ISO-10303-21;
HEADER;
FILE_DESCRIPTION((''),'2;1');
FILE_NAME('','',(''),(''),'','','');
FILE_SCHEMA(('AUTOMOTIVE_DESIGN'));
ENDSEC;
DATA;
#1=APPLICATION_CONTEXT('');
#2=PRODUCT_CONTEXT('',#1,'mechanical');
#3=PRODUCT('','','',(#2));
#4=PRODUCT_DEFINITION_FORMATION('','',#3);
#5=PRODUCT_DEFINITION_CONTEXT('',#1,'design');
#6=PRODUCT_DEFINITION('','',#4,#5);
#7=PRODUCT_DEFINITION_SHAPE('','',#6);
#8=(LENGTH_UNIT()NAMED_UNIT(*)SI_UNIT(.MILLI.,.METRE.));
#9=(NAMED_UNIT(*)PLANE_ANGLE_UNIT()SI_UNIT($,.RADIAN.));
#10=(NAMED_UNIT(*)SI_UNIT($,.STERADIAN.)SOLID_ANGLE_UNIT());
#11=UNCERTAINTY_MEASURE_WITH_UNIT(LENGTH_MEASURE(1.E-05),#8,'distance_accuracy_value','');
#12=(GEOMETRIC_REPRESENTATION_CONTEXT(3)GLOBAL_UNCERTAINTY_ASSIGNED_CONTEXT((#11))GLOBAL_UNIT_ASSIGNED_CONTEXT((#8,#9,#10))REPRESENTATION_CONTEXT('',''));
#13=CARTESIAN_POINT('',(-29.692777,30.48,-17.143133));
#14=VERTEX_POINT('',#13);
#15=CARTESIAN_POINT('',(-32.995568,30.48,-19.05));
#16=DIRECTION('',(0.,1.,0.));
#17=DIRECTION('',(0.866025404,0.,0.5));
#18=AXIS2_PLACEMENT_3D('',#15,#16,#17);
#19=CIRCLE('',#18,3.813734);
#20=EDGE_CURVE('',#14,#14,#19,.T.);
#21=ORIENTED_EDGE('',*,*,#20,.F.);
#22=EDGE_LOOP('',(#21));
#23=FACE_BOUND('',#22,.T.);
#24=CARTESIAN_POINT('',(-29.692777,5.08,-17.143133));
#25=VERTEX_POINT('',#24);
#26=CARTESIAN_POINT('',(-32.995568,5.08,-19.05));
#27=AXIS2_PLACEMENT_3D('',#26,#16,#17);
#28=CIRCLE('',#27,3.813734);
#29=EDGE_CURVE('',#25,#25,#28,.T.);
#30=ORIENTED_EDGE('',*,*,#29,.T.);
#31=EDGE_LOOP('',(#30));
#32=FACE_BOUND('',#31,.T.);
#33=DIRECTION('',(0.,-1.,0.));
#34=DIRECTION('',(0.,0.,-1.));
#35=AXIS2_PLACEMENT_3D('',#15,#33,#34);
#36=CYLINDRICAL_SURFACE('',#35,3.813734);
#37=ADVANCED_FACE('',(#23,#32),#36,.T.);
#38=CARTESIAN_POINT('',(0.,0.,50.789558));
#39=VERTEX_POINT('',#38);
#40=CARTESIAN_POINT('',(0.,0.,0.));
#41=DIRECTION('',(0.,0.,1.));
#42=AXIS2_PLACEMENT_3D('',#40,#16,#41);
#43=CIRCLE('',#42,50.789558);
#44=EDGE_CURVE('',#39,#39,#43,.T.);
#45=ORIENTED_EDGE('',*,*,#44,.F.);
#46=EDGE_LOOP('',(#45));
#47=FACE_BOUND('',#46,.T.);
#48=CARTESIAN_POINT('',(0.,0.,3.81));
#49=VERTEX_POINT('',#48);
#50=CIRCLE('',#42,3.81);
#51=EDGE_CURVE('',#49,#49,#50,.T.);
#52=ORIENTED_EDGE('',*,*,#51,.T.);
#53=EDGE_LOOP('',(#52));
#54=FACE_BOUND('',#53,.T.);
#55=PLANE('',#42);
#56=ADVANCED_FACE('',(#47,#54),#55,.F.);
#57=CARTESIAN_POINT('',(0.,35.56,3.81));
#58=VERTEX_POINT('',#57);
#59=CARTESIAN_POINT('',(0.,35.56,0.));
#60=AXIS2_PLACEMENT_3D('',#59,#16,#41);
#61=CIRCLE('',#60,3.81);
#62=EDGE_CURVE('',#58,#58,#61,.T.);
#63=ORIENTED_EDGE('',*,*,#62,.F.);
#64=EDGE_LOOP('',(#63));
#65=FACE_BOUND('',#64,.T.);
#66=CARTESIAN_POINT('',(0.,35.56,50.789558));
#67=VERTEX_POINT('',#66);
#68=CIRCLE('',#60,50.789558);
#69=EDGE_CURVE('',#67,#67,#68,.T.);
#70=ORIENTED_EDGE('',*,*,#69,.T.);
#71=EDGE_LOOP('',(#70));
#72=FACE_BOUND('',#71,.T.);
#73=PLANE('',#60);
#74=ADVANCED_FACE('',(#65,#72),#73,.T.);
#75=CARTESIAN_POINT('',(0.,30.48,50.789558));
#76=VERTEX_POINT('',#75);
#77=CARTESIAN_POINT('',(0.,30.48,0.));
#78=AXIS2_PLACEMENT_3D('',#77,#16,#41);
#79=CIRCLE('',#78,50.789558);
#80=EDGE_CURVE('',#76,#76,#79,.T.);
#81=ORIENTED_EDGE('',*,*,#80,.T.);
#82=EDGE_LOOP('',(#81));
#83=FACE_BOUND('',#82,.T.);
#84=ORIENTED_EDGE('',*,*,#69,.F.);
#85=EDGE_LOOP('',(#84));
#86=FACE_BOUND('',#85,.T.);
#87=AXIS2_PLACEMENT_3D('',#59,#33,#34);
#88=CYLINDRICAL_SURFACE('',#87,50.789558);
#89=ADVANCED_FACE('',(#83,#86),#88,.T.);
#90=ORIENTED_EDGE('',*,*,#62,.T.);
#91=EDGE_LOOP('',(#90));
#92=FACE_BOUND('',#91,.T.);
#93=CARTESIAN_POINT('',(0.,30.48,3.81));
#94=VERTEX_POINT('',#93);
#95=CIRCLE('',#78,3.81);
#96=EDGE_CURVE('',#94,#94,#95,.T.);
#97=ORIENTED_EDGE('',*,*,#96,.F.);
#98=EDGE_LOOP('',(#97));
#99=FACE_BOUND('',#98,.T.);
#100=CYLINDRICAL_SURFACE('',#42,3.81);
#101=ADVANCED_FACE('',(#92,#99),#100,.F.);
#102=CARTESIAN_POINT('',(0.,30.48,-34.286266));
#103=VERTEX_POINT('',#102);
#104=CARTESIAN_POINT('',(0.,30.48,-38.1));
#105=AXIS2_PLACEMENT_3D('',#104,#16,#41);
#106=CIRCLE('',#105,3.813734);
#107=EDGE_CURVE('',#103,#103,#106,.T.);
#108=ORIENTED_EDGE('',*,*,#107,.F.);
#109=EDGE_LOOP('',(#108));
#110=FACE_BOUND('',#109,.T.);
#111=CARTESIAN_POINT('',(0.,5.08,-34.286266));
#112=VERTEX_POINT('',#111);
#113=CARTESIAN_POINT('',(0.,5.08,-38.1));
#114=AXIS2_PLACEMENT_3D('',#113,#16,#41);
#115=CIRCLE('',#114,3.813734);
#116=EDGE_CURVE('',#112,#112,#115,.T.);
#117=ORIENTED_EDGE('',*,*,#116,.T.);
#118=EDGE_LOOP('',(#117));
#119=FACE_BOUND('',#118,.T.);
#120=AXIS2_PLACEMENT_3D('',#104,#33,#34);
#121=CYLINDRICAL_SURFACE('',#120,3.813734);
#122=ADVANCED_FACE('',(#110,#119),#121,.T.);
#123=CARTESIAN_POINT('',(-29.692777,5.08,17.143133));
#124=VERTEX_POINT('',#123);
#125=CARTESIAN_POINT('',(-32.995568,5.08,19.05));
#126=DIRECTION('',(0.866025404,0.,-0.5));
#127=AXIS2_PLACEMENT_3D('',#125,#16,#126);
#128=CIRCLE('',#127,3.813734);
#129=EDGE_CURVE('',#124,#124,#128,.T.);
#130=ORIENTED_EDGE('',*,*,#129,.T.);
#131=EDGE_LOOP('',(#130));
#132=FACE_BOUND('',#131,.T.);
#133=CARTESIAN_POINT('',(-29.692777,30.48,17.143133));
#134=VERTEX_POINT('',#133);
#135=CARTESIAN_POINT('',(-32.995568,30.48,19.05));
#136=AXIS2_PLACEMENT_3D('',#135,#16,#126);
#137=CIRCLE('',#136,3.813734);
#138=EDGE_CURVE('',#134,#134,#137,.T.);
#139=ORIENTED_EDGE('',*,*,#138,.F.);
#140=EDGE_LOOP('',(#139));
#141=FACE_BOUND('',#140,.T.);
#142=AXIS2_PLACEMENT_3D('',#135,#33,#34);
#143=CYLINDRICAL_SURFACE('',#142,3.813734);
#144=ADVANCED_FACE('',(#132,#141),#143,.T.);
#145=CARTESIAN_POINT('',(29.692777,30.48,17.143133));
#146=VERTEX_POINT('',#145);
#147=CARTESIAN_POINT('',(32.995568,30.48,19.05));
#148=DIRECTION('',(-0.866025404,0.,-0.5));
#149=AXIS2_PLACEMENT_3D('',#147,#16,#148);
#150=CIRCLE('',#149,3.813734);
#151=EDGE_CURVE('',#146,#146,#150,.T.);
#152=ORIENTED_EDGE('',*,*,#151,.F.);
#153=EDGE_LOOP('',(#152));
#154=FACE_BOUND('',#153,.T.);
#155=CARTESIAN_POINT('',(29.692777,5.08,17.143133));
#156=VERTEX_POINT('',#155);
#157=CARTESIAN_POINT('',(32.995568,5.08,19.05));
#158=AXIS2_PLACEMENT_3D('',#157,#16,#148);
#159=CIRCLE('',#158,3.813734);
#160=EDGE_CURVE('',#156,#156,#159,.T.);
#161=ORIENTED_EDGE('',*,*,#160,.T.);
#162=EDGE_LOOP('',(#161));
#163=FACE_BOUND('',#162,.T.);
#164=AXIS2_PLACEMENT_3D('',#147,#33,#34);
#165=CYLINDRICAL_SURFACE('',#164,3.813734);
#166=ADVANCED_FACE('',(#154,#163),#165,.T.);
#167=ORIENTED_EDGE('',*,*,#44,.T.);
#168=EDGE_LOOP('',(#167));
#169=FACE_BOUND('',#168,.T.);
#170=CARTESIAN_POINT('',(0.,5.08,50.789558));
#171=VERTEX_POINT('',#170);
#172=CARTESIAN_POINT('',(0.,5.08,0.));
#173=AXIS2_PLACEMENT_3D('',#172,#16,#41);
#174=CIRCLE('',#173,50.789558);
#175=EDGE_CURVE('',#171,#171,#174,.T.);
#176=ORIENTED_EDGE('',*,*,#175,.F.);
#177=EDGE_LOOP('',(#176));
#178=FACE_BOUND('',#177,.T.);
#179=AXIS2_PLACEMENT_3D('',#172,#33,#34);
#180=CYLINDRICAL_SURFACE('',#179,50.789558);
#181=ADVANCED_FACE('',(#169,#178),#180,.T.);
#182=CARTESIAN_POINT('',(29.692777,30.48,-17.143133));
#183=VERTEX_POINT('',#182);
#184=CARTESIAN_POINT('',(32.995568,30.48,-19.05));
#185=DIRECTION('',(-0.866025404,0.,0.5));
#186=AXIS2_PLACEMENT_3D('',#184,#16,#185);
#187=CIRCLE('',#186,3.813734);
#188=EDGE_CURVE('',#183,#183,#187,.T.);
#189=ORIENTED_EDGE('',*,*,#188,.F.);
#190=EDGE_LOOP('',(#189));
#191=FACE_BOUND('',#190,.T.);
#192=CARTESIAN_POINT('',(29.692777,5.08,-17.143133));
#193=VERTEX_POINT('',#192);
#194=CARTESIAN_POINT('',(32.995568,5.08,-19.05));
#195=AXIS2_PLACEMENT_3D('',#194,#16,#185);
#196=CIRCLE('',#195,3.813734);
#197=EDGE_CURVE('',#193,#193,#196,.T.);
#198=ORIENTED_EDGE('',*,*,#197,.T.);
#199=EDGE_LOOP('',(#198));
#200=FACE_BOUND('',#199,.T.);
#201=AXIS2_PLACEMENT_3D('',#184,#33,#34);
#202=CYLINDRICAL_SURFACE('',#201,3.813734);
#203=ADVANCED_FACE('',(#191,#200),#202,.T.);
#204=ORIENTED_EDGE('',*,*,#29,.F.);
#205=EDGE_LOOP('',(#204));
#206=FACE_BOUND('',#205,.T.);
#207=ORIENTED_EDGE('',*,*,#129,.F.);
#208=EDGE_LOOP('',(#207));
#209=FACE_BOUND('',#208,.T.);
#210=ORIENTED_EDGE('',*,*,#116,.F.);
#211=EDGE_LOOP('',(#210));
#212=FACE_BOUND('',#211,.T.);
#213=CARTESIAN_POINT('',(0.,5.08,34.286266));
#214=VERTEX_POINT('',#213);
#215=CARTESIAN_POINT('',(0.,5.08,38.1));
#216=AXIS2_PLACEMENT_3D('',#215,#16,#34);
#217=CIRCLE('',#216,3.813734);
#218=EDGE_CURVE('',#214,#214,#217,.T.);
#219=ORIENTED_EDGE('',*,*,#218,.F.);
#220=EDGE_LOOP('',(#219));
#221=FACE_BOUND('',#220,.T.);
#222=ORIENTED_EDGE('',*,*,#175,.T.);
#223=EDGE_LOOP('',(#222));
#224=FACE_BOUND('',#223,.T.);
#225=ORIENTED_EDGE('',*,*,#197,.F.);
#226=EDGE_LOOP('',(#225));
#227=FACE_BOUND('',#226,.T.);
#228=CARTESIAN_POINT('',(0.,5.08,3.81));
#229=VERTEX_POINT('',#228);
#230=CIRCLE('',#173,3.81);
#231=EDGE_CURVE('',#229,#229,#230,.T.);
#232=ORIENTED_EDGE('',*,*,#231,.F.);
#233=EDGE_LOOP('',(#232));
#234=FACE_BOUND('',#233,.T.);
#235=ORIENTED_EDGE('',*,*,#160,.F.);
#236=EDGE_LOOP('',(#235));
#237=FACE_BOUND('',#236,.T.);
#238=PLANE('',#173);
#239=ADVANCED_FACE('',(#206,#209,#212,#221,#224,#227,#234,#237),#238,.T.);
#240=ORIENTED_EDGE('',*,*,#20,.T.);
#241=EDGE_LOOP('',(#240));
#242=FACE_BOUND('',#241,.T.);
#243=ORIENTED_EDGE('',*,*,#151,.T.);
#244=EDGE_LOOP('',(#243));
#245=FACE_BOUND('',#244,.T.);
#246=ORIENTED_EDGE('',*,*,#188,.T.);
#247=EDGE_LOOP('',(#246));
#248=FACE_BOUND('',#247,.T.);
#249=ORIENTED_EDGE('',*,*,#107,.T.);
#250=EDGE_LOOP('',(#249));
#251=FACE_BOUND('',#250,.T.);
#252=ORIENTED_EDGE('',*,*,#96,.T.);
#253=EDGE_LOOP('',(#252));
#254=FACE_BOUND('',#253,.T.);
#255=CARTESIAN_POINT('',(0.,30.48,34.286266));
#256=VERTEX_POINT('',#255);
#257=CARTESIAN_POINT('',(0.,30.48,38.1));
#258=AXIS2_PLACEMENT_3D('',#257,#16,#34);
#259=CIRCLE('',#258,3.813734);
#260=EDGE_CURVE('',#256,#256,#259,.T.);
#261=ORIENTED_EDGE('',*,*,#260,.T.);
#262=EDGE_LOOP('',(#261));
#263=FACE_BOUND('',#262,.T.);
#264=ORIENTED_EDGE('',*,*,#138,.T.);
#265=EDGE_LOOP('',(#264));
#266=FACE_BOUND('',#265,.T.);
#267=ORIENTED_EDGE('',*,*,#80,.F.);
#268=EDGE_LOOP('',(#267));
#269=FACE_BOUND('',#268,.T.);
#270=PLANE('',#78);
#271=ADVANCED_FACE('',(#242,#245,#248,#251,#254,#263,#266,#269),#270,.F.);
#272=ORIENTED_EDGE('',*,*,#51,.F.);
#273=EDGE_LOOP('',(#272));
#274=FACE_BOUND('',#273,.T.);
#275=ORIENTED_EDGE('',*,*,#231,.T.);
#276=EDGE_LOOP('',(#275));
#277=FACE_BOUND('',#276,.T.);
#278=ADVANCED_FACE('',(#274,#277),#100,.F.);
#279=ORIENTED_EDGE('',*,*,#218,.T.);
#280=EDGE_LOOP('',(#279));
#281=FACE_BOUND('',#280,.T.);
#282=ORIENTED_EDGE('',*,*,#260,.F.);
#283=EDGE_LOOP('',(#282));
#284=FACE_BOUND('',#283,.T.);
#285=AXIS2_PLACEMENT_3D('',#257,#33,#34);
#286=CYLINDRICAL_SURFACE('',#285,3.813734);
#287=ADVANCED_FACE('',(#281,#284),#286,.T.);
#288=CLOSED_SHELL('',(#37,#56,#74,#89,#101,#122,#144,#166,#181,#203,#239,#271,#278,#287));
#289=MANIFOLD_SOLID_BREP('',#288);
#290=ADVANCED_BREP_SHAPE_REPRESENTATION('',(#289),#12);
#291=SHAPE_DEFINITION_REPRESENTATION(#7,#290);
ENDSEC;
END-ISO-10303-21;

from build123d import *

# Parameters (mm, degrees)
SKETCH1_R           = 50.789558068
BOSS_EXTRUDE1_DEPTH = 5.08
SKETCH3_R           = 3.813733887
BOSS_EXTRUDE2_DEPTH = 25.4
CIRPATTERN1_COUNT   = 6
SKETCH4_R           = 50.789558068
BOSS_EXTRUDE3_DEPTH = 5.08
SKETCH6_R           = 3.81
CUT_EXTRUDE1_DEPTH  = 81.147813554


with BuildPart() as part:
    # Sketch1 → Boss-Extrude1 (new body)
    with BuildSketch(Plane(origin=(0, 0, 0), x_dir=(1, 0, 0), z_dir=(0, 1, 0))):
        with Locations(Location((0, 0, 0), (0, 0, 270))):
            Circle(SKETCH1_R)
    extrude(amount=BOSS_EXTRUDE1_DEPTH)

    # Sketch3 → Boss-Extrude2 (add)
    with BuildSketch(Plane(origin=(0, 5.08, 0), x_dir=(1, 0, 0), z_dir=(0, 1, 0))):
        with Locations(Location((0, 38.1, 0), (0, 0, 270))):
            Circle(SKETCH3_R)
    boss_extrude2 = extrude(amount=BOSS_EXTRUDE2_DEPTH)

    # CirPattern1: Boss-Extrude2 ×6 about axis
    cirpattern1_axis = Axis((0, 0, 0), (0, 1, 0))
    for i in range(1, CIRPATTERN1_COUNT):
        add(boss_extrude2.rotate(cirpattern1_axis, i * 360 / CIRPATTERN1_COUNT))

    # Sketch4 → Boss-Extrude3 (add)
    with BuildSketch(Plane(origin=(0, 30.48, 0), x_dir=(1, 0, 0), z_dir=(0, 1, 0))):
        with Locations(Location((0, 0, 0), (0, 0, 270))):
            Circle(SKETCH4_R)
    extrude(amount=BOSS_EXTRUDE3_DEPTH)

    # Sketch6 → Cut-Extrude1 (cut, through all)
    with BuildSketch(Plane(origin=(0, 35.56, 0), x_dir=(1, 0, 0), z_dir=(0, 1, 0))):
        with Locations(Location((0, 0, 0), (0, 0, 270))):
            Circle(SKETCH6_R)
    extrude(amount=-CUT_EXTRUDE1_DEPTH, mode=Mode.SUBTRACT)


solid = part.part
